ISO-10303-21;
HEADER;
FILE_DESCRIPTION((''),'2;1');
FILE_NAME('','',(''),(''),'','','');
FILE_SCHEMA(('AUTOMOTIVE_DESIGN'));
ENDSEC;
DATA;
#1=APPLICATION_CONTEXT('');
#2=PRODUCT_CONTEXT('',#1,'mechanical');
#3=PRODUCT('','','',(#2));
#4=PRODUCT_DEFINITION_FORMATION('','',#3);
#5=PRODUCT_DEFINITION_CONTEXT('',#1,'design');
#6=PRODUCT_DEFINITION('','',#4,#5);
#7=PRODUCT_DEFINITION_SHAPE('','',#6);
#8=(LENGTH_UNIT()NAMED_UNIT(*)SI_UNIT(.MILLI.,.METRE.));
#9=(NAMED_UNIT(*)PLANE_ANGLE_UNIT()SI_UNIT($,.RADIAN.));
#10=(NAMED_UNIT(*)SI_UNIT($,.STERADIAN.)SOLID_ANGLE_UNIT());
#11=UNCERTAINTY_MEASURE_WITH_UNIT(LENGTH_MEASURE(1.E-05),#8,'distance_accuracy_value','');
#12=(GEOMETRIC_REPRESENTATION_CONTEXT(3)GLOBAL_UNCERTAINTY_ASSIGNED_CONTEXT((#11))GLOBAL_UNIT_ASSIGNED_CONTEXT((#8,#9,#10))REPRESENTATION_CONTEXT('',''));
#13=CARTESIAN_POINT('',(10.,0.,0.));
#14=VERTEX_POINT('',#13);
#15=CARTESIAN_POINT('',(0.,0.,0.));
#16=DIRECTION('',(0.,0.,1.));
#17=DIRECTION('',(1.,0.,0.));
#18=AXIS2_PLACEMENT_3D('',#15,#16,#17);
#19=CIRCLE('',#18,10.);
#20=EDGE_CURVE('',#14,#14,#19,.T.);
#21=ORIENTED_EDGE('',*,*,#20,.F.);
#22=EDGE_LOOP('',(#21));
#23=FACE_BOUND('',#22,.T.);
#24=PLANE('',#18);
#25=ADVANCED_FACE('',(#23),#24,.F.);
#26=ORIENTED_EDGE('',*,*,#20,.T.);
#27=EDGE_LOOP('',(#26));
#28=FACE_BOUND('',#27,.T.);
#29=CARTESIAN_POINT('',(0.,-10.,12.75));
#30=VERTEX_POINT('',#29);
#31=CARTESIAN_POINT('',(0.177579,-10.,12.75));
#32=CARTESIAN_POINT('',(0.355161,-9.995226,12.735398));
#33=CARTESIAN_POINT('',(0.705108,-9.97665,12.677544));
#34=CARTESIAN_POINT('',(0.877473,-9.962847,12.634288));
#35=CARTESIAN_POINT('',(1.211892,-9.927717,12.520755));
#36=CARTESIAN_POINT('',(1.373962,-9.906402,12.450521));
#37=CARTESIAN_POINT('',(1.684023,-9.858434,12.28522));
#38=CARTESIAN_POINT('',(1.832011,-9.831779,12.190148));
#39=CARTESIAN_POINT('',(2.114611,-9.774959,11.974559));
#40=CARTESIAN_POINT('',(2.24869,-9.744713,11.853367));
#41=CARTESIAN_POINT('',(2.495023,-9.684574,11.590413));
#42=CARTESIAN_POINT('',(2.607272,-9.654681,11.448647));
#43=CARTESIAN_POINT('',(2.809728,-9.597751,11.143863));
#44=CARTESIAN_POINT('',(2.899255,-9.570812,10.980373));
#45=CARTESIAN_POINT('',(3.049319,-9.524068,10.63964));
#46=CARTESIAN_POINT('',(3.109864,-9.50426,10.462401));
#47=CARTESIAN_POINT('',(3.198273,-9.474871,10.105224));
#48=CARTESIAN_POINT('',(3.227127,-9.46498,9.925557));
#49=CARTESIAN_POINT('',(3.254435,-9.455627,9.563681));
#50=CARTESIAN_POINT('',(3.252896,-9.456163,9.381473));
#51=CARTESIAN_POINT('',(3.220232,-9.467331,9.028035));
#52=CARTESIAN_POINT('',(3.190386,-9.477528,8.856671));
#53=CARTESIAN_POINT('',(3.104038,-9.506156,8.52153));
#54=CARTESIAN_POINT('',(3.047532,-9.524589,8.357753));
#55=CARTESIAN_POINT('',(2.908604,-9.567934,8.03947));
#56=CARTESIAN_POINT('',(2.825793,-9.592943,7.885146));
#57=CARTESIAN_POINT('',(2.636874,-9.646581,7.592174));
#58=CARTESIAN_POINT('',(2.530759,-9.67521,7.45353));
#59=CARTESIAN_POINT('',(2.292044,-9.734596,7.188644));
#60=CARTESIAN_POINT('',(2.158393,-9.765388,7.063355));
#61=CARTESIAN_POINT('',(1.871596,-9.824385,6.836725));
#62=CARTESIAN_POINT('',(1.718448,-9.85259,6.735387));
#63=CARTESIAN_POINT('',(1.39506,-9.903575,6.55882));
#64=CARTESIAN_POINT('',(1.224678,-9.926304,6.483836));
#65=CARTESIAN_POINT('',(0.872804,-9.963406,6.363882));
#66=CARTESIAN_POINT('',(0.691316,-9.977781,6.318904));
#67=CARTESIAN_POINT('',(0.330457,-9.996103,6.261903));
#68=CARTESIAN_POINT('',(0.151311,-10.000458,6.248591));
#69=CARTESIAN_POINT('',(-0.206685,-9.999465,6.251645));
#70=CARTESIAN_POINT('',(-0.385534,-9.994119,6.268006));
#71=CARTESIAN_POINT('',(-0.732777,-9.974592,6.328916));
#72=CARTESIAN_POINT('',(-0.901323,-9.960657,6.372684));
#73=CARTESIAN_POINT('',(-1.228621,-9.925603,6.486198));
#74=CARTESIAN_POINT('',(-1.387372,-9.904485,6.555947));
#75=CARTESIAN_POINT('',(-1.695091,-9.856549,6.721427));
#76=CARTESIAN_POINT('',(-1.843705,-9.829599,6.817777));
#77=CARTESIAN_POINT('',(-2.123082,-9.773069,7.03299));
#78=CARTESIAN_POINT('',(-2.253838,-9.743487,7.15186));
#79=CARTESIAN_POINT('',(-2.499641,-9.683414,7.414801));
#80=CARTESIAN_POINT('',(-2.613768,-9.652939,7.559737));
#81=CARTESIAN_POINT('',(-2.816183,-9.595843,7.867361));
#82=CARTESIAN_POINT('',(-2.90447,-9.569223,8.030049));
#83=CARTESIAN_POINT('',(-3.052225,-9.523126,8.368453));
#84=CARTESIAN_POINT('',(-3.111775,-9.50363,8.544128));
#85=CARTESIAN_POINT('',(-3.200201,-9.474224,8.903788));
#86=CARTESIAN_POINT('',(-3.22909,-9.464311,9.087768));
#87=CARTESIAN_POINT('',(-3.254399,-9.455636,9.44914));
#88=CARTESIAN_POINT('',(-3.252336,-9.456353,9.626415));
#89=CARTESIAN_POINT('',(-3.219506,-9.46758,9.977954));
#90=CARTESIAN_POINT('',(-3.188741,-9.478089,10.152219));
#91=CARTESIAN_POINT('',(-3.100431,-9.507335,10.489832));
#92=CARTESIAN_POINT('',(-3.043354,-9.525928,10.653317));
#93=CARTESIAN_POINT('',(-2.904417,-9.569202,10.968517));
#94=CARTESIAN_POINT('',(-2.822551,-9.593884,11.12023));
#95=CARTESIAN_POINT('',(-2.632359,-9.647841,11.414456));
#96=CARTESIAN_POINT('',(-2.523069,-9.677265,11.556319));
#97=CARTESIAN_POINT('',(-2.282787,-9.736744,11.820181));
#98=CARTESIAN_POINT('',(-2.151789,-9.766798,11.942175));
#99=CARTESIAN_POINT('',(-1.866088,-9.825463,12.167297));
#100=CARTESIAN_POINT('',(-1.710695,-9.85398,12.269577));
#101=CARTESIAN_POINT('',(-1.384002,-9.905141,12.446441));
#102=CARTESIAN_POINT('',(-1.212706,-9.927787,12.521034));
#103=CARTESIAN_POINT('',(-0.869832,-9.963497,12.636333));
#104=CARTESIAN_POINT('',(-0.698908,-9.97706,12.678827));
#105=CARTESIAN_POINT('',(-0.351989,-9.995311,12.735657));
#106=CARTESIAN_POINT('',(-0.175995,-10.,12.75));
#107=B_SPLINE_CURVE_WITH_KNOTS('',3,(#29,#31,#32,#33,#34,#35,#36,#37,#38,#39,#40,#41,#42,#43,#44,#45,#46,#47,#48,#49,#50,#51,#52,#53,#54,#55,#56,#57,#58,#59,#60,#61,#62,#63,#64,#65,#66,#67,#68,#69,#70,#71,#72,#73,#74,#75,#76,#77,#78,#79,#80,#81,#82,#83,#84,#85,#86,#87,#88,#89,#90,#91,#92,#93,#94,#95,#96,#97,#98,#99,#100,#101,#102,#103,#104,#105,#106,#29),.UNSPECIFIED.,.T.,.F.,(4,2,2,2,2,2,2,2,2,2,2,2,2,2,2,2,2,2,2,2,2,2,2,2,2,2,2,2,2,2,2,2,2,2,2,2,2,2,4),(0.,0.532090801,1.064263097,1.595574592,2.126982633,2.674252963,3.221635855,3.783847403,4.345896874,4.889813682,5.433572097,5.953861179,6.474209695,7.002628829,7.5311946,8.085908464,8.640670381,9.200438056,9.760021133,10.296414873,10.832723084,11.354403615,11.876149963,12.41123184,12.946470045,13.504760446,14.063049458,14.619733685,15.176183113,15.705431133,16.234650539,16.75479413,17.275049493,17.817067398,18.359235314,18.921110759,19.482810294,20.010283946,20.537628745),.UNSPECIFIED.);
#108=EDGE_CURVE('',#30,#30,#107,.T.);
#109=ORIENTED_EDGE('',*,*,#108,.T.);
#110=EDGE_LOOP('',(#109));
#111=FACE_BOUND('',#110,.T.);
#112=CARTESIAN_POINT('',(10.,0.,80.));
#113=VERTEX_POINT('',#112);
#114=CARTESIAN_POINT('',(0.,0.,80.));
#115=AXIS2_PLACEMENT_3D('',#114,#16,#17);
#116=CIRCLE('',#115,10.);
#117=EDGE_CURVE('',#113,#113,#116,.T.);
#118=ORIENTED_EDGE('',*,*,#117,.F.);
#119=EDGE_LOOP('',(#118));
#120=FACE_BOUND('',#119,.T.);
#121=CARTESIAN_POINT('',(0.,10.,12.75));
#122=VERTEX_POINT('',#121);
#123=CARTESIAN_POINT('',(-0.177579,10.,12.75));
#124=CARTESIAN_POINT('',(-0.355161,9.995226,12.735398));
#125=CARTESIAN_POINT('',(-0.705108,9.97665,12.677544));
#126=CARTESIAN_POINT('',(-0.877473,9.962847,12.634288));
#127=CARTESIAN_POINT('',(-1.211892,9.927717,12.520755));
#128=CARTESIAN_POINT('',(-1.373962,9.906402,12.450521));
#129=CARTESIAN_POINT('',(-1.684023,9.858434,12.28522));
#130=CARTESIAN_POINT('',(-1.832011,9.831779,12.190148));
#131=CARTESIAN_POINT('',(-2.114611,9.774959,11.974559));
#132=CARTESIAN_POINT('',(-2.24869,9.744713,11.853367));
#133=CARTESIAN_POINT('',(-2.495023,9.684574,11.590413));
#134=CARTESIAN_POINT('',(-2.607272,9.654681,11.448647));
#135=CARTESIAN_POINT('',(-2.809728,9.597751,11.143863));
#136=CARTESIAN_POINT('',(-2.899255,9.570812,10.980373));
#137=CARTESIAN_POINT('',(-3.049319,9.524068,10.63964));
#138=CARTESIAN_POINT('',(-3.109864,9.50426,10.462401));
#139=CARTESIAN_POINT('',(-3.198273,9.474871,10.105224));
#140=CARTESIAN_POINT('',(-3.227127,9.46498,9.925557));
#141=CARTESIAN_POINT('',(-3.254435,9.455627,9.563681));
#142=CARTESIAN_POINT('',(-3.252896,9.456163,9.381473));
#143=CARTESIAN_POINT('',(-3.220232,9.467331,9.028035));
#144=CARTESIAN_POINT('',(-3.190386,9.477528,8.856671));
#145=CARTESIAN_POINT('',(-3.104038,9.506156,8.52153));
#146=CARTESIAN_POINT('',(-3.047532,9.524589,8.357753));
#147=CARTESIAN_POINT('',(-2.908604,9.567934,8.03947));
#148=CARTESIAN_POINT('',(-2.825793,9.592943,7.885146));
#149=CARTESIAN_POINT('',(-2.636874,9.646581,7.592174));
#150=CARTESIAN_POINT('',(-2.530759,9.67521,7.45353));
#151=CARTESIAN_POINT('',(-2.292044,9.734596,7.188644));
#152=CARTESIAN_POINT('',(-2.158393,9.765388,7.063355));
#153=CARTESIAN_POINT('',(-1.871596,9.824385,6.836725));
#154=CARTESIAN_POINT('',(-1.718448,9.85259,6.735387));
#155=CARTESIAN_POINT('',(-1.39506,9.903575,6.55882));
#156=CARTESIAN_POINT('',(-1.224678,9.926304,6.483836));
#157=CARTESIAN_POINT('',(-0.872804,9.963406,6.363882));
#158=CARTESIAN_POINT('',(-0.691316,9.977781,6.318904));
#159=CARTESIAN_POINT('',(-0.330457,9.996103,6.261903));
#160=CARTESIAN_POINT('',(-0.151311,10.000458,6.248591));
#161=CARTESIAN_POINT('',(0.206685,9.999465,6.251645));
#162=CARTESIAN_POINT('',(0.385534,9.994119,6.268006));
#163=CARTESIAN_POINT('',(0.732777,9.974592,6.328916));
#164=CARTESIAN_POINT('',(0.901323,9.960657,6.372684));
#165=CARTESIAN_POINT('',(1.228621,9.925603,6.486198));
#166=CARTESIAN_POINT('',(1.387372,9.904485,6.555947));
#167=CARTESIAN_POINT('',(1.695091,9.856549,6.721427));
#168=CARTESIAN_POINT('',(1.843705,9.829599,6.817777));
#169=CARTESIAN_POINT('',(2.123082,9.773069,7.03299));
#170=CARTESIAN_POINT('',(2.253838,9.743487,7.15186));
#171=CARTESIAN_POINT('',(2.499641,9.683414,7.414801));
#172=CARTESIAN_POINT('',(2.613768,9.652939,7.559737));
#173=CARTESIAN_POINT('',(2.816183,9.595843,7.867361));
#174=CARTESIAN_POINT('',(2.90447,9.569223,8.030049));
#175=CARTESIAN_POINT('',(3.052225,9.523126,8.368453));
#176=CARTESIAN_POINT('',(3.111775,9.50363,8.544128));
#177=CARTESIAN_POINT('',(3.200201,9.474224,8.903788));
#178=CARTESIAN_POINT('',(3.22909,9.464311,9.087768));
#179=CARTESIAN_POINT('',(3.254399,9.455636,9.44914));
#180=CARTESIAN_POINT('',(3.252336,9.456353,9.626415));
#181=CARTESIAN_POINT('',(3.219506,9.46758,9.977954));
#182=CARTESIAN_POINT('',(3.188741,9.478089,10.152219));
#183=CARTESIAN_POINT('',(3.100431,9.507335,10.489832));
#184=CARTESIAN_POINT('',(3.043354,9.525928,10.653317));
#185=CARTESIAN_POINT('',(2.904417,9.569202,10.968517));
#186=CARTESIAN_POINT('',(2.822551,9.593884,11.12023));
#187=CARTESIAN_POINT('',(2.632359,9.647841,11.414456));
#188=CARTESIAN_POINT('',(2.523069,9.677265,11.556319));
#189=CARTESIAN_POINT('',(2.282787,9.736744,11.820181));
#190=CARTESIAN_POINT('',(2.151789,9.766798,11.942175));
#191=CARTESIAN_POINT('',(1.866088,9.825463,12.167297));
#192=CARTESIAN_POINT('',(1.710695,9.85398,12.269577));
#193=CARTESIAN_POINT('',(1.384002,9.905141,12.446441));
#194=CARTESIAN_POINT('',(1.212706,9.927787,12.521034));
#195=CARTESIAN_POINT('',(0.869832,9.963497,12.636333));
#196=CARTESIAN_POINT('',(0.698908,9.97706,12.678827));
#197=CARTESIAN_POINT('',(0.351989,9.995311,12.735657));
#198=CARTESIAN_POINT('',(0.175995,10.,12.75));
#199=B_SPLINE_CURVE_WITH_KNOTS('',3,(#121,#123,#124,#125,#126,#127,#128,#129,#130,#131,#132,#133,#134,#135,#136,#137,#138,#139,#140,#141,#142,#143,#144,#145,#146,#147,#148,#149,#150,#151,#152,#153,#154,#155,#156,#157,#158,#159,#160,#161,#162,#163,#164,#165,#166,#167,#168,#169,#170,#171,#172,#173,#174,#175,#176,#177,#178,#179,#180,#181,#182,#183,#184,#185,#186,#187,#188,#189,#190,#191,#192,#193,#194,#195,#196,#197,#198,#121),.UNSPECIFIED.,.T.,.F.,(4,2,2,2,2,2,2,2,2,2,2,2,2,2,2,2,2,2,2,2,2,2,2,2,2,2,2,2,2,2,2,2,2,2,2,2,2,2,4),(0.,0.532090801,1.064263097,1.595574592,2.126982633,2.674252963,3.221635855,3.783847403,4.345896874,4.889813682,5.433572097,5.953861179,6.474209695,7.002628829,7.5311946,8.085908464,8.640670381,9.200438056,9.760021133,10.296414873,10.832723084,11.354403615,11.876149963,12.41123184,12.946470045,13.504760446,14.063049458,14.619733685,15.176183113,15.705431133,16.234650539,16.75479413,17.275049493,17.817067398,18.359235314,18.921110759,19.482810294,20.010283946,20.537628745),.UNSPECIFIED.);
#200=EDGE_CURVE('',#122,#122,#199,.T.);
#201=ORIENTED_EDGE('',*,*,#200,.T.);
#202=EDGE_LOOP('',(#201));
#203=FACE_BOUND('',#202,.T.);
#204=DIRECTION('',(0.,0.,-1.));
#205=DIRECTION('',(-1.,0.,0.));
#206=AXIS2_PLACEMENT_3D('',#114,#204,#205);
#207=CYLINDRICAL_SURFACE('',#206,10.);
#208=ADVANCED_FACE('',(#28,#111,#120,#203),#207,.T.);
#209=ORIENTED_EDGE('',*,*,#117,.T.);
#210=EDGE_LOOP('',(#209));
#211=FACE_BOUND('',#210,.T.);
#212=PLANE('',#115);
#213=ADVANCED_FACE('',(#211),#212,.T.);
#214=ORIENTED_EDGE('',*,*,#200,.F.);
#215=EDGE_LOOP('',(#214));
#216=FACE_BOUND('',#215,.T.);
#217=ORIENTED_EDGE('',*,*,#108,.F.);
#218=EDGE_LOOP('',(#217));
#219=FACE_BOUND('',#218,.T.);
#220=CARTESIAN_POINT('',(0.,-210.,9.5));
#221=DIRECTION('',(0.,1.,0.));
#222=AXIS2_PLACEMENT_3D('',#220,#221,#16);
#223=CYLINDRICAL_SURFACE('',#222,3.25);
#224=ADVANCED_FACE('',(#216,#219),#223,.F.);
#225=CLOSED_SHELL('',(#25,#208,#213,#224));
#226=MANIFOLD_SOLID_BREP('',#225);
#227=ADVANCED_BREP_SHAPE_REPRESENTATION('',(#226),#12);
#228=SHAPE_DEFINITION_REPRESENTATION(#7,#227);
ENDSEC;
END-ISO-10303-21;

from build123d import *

# Parameters (mm, degrees)
SKETCH_1_R          = 10
EXTRUDE_1_DEPTH     = 80
SKETCH_2_R          = 3.25
CUT_EXTRUDE_1_DEPTH = 210


with BuildPart() as part:
    # 草图1 → 凸台-拉伸1 (new body)
    with BuildSketch(Plane.XY):
        Circle(SKETCH_1_R)
    extrude(amount=EXTRUDE_1_DEPTH)

    # 草图2 → 切除-拉伸1 (cut, symmetric)
    with BuildSketch(Plane(origin=(0, 0, 0), x_dir=(1, 0, 0), z_dir=(0, 1, 0))):
        with Locations((0, -9.5)):
            Circle(SKETCH_2_R)
    extrude(amount=CUT_EXTRUDE_1_DEPTH, both=True, mode=Mode.SUBTRACT)


solid = part.part
